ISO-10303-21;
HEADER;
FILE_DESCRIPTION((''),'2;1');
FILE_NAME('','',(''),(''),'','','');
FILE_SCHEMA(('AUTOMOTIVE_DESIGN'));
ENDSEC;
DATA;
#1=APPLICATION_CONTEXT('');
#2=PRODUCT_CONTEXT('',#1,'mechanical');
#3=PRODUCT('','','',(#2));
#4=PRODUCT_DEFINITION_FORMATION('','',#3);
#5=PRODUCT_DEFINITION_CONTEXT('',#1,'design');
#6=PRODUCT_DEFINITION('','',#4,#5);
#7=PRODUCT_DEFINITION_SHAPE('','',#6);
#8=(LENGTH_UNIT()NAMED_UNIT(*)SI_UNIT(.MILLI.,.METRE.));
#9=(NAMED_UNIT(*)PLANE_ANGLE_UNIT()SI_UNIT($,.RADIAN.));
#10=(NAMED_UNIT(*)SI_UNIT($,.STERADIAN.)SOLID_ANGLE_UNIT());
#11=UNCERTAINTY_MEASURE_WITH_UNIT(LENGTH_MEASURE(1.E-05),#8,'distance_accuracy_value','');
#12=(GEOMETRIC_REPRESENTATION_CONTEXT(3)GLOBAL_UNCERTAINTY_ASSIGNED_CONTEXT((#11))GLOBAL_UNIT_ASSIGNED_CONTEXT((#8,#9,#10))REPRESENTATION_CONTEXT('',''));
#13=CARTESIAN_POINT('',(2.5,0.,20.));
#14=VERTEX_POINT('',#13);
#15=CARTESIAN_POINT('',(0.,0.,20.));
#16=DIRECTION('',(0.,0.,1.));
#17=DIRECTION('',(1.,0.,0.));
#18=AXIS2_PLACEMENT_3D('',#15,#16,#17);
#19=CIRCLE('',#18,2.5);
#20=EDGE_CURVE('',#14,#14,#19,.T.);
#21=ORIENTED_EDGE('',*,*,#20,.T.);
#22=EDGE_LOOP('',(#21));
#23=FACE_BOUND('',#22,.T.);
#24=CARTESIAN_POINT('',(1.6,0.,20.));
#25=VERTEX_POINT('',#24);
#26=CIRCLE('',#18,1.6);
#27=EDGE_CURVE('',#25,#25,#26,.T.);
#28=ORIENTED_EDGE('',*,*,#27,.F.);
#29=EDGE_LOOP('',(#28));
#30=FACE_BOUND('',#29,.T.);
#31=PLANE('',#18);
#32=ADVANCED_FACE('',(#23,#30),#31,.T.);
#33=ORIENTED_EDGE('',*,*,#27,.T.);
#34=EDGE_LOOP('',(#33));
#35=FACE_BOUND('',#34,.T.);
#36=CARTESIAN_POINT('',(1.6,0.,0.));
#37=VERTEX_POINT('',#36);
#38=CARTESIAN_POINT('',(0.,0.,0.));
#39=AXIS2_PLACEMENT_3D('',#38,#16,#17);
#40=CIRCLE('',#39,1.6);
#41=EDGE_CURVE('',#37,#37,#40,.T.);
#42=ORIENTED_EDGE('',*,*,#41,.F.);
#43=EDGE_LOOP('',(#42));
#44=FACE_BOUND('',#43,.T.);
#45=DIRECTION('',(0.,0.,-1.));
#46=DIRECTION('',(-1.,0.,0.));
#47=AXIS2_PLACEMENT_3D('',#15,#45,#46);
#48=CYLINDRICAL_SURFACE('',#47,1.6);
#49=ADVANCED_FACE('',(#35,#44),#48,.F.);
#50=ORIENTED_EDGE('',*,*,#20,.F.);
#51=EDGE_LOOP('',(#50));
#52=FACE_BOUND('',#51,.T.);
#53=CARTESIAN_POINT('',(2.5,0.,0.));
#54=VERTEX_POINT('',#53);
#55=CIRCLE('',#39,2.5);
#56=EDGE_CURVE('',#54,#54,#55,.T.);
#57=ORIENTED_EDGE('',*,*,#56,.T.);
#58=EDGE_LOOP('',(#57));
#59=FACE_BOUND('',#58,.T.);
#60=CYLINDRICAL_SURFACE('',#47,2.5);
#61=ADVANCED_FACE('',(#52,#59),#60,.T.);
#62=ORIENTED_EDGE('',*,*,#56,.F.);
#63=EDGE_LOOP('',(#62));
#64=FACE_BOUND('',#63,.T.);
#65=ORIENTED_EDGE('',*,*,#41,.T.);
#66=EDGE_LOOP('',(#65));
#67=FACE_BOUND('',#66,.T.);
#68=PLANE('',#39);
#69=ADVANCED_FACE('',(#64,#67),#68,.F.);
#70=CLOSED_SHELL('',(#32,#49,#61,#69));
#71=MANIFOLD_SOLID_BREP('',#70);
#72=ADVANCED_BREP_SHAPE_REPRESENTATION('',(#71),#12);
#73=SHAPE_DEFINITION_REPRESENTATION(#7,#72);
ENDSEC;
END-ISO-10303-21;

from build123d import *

# Parameters (mm, degrees)
SKETCH1_R           = 2.5
SKETCH1_R_2         = 1.6
BOSS_EXTRUDE1_DEPTH = 20


with BuildPart() as part:
    # Sketch1 → Boss-Extrude1 (new body)
    with BuildSketch(Plane.XY):
        Circle(SKETCH1_R)
        Circle(SKETCH1_R_2, mode=Mode.SUBTRACT)
    extrude(amount=BOSS_EXTRUDE1_DEPTH)


solid = part.part
